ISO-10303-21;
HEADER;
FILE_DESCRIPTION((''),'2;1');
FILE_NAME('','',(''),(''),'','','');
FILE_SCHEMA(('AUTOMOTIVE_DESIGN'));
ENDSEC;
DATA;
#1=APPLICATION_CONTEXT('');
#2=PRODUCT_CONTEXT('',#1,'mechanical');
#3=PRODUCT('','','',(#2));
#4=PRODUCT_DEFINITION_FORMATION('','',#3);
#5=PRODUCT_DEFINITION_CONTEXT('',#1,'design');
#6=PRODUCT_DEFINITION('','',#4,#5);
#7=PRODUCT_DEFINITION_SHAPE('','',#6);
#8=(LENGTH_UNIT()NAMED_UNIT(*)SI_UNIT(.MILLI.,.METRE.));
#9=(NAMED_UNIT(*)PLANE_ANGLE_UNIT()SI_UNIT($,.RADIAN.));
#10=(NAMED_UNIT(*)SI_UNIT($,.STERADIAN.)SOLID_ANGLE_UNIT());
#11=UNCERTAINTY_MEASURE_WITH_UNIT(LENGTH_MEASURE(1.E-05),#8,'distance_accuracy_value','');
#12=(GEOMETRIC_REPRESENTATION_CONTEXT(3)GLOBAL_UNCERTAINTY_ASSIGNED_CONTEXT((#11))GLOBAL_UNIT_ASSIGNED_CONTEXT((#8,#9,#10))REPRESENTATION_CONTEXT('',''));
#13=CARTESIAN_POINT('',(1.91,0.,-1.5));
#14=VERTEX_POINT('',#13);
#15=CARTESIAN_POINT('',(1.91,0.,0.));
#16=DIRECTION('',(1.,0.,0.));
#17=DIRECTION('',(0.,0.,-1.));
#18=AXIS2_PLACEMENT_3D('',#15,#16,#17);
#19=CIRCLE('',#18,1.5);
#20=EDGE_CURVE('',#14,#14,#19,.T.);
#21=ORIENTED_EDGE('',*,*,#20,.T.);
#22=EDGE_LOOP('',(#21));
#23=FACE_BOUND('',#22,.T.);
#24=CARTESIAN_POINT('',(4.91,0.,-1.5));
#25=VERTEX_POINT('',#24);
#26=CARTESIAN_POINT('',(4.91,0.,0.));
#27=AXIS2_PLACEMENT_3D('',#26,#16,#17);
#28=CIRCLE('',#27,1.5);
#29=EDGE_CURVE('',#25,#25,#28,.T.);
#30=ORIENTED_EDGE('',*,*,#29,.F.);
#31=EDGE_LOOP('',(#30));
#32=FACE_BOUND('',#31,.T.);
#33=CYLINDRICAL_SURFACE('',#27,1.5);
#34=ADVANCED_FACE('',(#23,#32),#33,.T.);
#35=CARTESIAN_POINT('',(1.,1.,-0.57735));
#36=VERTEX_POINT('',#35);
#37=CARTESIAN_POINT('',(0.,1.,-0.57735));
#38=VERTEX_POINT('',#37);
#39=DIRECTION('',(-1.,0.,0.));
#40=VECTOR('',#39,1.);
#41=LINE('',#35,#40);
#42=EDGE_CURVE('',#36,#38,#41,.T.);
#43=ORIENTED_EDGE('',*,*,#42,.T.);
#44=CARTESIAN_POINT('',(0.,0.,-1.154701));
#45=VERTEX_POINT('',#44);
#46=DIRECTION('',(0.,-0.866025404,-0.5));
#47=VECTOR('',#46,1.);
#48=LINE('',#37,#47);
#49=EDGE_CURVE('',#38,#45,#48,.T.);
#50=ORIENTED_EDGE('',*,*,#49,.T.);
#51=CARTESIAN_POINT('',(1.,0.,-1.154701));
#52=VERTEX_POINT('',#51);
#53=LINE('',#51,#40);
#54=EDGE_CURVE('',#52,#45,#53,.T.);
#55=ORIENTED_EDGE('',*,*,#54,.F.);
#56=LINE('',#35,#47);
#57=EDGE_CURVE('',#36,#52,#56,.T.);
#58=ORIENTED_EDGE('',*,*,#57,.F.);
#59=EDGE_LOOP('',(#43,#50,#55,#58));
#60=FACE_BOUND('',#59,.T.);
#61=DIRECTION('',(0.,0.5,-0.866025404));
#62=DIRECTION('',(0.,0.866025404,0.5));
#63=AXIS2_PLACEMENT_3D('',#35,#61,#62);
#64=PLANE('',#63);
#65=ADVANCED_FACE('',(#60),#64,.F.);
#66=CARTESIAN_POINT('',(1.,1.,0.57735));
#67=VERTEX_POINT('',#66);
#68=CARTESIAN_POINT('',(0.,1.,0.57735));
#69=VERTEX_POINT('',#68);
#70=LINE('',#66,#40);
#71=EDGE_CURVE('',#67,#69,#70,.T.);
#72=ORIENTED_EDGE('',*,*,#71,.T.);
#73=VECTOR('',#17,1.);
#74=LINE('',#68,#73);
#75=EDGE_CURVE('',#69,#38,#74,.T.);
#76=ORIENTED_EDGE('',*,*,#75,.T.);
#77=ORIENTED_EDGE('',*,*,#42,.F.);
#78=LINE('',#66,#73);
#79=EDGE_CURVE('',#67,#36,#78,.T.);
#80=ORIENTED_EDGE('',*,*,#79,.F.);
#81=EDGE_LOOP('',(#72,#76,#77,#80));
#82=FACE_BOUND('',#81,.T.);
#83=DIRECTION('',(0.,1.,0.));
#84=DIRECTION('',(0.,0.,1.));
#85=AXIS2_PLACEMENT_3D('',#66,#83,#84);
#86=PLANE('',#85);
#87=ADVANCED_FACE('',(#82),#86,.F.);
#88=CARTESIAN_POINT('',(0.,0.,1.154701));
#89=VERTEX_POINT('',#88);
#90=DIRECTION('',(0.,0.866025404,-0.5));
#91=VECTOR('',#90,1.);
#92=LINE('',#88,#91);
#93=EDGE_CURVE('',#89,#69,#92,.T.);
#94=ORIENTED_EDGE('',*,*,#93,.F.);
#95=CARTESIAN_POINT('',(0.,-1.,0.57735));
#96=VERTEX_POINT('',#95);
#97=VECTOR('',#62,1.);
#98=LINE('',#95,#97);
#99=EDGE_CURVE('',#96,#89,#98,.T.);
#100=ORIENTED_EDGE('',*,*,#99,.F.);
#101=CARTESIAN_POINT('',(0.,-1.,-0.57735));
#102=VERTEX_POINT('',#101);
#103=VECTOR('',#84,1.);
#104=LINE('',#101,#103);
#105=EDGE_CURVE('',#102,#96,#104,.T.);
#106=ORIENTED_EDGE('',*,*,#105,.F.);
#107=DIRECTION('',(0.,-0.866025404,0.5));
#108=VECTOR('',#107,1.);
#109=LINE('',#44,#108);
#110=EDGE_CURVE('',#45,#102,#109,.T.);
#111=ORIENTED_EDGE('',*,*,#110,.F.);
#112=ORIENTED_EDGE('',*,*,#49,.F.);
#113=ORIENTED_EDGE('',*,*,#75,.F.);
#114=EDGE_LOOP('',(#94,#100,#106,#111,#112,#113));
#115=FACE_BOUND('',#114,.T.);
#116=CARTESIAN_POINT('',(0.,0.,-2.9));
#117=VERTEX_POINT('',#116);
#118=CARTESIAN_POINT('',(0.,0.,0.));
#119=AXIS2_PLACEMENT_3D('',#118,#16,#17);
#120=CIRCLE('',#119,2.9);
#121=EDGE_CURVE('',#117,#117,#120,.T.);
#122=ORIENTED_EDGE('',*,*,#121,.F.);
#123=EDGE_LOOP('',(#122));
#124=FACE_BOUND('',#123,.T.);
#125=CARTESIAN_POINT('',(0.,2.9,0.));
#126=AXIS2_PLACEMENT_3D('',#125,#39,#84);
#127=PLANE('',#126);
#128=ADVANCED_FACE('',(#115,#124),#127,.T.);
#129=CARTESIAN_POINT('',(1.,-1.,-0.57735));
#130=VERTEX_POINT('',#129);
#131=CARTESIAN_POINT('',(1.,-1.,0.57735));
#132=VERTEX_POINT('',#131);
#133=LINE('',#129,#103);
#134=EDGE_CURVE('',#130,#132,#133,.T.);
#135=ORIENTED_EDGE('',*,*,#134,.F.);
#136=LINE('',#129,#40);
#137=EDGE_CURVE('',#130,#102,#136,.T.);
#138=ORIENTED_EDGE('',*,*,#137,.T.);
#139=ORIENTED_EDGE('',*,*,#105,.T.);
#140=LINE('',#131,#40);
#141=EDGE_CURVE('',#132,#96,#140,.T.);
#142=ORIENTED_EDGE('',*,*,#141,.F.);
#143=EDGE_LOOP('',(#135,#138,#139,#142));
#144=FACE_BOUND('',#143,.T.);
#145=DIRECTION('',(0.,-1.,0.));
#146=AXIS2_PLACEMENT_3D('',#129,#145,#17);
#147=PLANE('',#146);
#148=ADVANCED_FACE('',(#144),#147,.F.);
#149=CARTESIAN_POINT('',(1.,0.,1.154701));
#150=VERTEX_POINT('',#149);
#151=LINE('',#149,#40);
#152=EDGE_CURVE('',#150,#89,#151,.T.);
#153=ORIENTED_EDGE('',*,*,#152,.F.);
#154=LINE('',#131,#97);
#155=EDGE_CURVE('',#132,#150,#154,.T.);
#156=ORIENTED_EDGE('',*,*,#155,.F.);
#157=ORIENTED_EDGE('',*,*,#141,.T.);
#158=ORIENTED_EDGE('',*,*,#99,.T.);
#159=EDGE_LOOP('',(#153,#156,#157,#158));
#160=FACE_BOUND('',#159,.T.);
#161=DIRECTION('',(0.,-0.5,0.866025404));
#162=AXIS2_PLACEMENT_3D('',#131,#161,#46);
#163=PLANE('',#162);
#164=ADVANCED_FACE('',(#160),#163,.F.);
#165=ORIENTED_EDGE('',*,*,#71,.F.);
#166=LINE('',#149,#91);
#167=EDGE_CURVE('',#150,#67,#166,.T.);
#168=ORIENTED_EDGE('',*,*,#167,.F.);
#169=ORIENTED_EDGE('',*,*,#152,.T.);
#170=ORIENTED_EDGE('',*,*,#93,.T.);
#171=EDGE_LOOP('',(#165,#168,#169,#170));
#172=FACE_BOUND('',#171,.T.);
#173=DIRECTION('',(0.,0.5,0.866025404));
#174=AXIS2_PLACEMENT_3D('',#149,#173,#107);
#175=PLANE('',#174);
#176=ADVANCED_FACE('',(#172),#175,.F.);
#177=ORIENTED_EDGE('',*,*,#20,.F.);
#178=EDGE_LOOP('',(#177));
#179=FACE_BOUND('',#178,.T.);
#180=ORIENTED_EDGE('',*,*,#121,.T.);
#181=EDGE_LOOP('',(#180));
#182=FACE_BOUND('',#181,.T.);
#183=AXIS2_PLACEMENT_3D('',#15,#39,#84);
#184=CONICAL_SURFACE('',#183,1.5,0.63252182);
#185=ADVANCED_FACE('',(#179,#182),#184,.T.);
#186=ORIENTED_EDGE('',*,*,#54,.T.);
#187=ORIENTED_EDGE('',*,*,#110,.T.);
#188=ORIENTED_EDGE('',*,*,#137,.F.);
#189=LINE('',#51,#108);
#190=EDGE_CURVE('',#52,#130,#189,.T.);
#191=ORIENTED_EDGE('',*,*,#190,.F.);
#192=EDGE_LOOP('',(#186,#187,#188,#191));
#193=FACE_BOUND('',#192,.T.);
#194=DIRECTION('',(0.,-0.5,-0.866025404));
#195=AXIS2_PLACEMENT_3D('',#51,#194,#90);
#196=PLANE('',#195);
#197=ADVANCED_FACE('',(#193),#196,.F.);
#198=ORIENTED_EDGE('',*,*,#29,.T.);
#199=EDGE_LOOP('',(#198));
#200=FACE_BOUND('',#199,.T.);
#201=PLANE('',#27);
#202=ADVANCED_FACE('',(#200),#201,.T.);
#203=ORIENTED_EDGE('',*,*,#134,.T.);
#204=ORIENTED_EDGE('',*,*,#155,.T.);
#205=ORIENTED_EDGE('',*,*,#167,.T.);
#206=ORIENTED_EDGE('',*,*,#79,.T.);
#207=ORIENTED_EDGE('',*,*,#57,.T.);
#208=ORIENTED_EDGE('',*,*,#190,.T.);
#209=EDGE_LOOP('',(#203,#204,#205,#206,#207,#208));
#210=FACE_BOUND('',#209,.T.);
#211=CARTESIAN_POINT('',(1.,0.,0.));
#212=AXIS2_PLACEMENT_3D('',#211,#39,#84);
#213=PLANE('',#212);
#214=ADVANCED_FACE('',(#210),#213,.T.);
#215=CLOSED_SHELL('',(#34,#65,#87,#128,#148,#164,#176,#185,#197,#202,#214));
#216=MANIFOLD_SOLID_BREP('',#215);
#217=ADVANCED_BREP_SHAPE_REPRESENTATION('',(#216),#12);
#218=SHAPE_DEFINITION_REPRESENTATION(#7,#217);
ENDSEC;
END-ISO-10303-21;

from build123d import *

# Parameters (mm, degrees)
CUT_EXTRUDE1_DEPTH = 1


with BuildPart() as part:
    # Sketch1 → Revolve2 (revolve)
    with BuildSketch(Plane.XY, mode=Mode.PRIVATE) as revolve2_sk:
        Polygon((4.91, 0), (4.91, 1.5), (1.91, 1.5), (0, 2.9), (0, 0), align=None)
    revolve(revolve2_sk.sketch.rotate(Axis((4.91, 0, 0), (-1, 0, 0)), 90), axis=Axis((4.91, 0, 0), (-1, 0, 0)))

    # Sketch2 → Cut-Extrude1 (cut)
    with BuildSketch(Plane.ZY):
        Polygon((1.154700538, 0), (0.577350269, 1), (-0.577350269, 1), (-1.154700538, 0), (-0.577350269, -1), (0.577350269, -1), align=None)
    extrude(amount=-CUT_EXTRUDE1_DEPTH, mode=Mode.SUBTRACT)


solid = part.part
